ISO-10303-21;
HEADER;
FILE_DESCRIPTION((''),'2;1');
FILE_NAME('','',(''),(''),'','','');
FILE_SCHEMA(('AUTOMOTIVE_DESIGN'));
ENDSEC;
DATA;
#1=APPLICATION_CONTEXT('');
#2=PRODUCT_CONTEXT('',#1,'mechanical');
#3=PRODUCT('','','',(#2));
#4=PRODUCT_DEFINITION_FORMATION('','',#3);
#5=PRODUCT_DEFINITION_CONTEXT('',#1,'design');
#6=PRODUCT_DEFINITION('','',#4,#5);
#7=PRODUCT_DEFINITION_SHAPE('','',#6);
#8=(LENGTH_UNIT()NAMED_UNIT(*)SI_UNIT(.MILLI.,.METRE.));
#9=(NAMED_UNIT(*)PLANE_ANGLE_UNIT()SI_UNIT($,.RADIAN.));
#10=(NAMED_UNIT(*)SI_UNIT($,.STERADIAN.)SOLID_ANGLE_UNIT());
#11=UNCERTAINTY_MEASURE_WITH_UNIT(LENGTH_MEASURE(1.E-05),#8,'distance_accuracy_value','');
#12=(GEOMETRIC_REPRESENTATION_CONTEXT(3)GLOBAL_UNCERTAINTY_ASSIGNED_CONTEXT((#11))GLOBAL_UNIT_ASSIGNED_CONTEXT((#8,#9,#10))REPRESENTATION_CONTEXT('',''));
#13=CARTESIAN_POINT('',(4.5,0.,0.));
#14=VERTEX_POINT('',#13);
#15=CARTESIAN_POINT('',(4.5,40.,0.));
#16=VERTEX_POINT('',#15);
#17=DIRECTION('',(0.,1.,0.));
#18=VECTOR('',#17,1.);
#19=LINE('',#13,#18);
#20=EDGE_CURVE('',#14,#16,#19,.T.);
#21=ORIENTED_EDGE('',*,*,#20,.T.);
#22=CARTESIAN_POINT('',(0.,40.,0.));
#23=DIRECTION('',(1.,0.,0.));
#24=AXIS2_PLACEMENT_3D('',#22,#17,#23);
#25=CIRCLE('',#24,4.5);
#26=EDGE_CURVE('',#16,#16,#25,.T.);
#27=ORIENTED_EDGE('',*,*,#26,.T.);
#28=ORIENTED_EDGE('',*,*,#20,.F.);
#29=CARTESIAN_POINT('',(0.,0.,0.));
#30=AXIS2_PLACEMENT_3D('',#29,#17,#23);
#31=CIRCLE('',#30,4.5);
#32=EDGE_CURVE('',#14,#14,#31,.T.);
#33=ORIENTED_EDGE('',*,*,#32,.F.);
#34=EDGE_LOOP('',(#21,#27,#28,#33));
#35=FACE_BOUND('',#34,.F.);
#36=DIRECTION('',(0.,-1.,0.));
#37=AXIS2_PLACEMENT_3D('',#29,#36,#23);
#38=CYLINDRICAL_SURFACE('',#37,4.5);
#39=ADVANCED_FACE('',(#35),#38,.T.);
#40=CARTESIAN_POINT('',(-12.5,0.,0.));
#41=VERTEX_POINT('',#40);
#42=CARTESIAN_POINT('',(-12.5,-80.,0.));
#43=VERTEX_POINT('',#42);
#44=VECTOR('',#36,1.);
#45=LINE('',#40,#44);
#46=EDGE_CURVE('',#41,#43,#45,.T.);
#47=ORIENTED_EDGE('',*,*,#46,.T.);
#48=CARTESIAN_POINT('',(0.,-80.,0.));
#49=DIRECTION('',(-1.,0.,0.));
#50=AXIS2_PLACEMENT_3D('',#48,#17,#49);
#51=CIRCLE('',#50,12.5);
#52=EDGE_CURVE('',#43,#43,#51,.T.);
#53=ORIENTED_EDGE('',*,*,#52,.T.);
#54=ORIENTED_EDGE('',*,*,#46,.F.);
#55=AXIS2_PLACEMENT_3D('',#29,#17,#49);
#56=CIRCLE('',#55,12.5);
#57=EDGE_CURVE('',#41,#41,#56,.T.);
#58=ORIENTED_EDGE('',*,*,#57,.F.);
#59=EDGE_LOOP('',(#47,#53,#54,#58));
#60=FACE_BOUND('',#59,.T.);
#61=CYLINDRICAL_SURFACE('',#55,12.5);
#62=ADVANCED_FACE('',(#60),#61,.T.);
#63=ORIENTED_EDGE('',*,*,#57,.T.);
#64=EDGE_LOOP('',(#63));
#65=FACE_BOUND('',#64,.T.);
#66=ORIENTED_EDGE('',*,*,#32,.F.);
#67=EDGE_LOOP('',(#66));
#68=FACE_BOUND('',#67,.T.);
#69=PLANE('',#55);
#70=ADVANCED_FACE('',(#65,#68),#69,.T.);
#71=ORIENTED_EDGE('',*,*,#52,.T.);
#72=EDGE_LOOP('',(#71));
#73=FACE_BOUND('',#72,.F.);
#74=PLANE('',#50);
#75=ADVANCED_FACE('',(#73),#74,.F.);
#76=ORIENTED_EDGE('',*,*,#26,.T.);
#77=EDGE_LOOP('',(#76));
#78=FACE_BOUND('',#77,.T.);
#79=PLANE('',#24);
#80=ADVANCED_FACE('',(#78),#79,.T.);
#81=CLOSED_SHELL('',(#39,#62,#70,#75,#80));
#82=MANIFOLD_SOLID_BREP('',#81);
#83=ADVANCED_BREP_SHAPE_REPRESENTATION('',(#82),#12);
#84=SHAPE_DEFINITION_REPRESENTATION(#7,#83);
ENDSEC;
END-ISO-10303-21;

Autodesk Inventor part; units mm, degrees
ref_plane "YZ Plane" through (0, 0, 0) normal (1, 0, 0) x (0, 1, 0)
ref_plane "XZ Plane" through (0, 0, 0) normal (0, 1, 0) x (-1, 0, 0)
ref_plane "XY Plane" through (0, 0, 0) normal (0, 0, 1) x (1, 0, 0)
sketch "Sketch1" plane through (0, 0, 0) normal (0, 1, 0) x (-1, 0, 0)
  circle A0 centre (0, 0) radius 12.5
  dimension "d0" = 25
extrude "Extrusion1" add sketch "Sketch1" against normal blind 80
sketch "Sketch2" plane through (0, 0, 0) normal (0, 1, 0) x (1, 0, 0)
  circle A0 centre (0, 0) radius 4.5
  dimension "d3" = 9
extrude "Extrusion2" add sketch "Sketch2" along normal blind 40
properties part number "Motor"
